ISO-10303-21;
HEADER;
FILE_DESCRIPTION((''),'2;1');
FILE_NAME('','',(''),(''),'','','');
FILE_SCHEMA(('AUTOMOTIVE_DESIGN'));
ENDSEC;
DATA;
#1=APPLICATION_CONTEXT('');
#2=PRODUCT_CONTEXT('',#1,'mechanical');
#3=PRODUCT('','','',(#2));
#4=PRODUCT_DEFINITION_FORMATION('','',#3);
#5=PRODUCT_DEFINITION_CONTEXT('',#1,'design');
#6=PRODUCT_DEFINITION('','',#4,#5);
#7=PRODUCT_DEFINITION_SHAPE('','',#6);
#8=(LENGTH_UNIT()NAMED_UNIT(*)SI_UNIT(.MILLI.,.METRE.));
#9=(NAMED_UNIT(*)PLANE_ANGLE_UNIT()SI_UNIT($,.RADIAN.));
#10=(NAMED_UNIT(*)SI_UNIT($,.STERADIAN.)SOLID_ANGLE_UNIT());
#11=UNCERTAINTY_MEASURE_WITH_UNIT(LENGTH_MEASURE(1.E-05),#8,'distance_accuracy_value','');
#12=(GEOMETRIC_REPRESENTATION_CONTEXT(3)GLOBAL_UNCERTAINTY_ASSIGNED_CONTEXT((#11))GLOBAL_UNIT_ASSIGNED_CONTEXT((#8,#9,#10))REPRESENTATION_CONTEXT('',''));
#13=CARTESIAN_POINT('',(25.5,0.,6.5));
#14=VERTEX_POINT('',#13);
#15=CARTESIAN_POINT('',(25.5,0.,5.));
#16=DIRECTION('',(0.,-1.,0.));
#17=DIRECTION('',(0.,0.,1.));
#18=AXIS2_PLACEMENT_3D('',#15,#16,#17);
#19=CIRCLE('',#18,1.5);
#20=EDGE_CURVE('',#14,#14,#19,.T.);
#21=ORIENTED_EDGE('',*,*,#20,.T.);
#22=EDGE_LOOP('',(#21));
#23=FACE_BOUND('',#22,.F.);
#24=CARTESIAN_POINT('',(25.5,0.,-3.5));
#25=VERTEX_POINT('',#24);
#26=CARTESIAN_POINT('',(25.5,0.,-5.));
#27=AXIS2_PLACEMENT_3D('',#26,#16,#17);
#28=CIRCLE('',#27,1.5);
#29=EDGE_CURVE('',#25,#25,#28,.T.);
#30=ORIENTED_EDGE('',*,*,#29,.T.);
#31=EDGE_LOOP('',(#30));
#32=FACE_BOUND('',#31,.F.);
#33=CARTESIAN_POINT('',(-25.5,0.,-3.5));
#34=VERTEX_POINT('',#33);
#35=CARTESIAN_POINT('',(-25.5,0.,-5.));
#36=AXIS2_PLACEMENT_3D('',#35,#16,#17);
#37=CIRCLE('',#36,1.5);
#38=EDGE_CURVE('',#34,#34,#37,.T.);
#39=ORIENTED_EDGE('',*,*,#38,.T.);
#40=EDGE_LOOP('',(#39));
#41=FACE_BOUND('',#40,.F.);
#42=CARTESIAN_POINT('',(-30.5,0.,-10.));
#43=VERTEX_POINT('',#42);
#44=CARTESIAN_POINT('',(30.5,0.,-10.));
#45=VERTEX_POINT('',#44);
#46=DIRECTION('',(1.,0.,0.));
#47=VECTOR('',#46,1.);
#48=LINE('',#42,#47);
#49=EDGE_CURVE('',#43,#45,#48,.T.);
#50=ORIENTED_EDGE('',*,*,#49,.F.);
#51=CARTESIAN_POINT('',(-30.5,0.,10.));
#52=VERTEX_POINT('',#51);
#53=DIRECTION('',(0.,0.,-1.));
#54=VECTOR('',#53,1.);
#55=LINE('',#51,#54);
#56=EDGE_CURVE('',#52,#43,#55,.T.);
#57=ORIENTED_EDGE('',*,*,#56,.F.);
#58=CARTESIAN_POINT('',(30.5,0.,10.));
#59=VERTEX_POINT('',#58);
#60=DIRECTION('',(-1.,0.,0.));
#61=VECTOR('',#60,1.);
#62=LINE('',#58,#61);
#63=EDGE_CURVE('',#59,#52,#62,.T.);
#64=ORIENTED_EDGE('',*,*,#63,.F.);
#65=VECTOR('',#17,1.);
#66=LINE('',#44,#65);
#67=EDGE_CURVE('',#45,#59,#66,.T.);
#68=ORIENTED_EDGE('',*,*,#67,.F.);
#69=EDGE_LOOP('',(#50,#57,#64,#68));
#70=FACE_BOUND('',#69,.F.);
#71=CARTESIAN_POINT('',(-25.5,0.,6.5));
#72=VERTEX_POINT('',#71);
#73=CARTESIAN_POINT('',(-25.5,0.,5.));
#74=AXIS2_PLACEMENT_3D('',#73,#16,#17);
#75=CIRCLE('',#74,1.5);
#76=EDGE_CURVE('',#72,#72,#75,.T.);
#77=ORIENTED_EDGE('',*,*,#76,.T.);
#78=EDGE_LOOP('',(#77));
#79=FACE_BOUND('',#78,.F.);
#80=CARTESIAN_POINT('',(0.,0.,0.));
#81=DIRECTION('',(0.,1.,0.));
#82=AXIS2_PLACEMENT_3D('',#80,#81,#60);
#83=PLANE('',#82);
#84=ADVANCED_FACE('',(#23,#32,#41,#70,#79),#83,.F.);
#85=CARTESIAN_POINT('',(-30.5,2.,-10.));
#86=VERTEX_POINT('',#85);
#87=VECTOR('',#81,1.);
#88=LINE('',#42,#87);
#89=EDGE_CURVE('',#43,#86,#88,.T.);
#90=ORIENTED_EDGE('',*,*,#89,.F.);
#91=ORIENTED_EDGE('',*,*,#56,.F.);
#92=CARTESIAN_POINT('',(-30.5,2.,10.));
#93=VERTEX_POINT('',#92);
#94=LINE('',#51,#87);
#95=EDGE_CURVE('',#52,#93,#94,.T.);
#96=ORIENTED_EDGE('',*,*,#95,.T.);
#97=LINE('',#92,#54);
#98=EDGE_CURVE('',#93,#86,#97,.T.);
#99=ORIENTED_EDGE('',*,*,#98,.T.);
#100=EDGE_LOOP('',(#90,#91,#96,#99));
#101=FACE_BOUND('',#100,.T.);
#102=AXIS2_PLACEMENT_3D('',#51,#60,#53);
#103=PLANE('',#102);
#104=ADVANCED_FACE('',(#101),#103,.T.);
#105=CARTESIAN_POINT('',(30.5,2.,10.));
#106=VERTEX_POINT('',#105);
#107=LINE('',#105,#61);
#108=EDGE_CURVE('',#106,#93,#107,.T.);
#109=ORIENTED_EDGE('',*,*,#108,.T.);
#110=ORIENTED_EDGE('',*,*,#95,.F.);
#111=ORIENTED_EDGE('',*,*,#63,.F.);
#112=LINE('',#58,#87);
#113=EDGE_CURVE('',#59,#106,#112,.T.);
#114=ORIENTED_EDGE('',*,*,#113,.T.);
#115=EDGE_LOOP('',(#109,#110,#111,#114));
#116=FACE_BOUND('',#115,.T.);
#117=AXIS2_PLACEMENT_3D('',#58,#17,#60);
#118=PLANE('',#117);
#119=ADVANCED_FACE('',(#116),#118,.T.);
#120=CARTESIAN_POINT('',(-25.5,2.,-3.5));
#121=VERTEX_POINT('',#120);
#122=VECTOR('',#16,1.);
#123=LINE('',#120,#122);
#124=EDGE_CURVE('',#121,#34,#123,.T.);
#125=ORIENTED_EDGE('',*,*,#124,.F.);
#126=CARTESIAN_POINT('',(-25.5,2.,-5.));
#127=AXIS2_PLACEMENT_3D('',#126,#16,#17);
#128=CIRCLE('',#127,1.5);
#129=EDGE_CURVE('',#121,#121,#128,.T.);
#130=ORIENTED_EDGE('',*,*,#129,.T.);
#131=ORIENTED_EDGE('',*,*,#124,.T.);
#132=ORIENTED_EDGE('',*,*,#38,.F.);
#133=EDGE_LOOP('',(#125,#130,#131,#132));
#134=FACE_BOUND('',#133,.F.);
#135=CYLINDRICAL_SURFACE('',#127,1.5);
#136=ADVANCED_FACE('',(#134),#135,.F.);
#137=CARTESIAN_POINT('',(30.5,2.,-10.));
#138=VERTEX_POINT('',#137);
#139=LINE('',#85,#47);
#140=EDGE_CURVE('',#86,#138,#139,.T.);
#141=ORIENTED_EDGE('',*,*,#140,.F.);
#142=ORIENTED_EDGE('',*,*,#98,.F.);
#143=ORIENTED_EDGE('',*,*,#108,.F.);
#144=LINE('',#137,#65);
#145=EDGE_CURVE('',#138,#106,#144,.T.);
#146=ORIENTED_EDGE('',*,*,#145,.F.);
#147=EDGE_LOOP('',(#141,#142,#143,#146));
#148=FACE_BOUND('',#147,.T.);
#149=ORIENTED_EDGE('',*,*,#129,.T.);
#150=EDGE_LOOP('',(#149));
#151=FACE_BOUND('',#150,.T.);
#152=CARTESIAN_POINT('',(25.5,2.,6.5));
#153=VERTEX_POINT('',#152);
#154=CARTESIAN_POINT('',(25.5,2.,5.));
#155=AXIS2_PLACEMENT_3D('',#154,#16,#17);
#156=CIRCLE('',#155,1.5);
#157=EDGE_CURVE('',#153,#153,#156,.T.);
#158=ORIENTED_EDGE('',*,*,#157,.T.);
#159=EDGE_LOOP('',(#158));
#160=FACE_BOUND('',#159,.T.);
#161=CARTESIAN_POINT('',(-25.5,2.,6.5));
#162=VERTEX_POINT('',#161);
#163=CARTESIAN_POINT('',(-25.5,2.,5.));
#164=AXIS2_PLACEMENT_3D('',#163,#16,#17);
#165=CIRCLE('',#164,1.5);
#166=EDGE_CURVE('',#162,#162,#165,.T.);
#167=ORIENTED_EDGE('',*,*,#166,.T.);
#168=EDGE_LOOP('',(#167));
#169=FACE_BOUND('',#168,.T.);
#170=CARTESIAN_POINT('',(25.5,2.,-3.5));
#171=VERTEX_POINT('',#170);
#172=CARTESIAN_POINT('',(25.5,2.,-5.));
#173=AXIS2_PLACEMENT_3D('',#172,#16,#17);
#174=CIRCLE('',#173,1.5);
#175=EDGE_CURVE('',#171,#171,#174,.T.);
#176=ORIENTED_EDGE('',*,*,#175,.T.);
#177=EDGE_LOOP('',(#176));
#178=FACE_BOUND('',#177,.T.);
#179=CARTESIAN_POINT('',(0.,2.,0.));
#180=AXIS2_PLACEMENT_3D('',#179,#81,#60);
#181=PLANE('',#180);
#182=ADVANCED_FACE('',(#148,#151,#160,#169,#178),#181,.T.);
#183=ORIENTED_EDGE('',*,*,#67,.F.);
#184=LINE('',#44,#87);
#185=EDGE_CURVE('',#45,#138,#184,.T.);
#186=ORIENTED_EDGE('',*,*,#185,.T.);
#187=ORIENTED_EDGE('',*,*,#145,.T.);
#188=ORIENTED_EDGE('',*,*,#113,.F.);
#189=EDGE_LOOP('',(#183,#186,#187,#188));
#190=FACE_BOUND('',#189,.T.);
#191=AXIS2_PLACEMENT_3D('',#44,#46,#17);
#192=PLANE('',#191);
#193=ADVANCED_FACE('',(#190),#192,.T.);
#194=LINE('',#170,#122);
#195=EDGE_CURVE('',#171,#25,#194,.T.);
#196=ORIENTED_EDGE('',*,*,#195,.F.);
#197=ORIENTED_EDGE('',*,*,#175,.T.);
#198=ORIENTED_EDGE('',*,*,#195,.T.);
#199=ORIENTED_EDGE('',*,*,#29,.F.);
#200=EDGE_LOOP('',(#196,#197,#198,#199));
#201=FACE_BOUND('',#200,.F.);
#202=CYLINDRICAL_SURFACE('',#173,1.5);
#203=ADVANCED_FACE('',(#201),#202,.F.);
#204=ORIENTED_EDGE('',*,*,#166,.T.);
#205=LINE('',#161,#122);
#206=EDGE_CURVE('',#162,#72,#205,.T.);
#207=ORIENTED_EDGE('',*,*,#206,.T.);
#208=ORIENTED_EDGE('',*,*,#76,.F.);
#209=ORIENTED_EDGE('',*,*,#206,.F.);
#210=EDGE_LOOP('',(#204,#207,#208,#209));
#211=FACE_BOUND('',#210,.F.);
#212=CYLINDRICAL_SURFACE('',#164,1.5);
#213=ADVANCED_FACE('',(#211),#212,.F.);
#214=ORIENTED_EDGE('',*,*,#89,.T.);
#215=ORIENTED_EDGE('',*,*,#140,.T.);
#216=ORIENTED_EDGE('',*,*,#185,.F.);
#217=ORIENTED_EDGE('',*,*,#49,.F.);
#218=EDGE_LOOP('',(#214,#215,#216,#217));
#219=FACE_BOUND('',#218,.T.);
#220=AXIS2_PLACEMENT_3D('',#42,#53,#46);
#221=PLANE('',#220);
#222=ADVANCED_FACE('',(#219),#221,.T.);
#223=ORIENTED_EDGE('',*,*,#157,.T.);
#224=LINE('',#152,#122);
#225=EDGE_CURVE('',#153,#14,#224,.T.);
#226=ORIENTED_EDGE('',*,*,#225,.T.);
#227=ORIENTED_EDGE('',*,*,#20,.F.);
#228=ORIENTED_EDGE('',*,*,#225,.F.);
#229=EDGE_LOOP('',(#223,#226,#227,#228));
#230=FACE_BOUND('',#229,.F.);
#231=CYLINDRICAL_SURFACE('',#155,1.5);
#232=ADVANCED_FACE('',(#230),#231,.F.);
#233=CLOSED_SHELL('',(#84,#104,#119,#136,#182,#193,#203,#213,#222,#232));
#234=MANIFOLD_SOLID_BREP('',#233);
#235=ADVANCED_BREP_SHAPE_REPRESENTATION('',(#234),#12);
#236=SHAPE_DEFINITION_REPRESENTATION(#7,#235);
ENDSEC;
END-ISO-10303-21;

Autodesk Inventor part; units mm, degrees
ref_plane "YZ Plane" through (0, 0, 0) normal (1, 0, 0) x (0, 1, 0)
ref_plane "XZ Plane" through (0, 0, 0) normal (0, 1, 0) x (-1, 0, 0)
ref_plane "XY Plane" through (0, 0, 0) normal (0, 0, 1) x (1, 0, 0)
sketch "スケッチ1" plane through (0, 0, 0) normal (0, 1, 0) x (-1, 0, 0)
  line L0 (-30.5, 10) -> (30.5, 10)
  line L1 (30.5, 10) -> (30.5, -10)
  line L2 (30.5, -10) -> (-30.5, -10)
  line L3 (-30.5, -10) -> (-30.5, 10)
  point P0 (0, 0)
  dimension "d0" = 20
  dimension "d2" = 61
  dimension "d3" = 30.5
  dimension "d4" = 10
extrude "押し出し1" add sketch "スケッチ1" along normal blind 2
sketch "スケッチ2" plane through (0, 2, 0) normal (0, 1, 0) x (1, 0, 0)
  line L0 (30.5, -10) -> (30.5, 10) projected
  line L1 (30.5, 10) -> (-30.5, 10) projected
  line L2 (-30.5, 10) -> (-30.5, -10) projected
  circle A0 centre (-25.5, 5) radius 1.5
  circle A1 centre (-25.5, -5) radius 1.5
  circle A2 centre (25.5, -5) radius 1.5
  circle A3 centre (25.5, 5) radius 1.5
  point P0 (0, 0)
  dimension "d7" = 10
  dimension "d9" = 5
  dimension "d10" = 5
  dimension "d11" = 10
  dimension "d12" = 5
  dimension "d13" = 5
  dimension "d14" = 5
  dimension "d15" = 5
  dimension "d16" = 3
hole "穴1" at (-25.5, 2, -5) at (-25.5, 2, 5) at (25.5, 2, 5) at (25.5, 2, -5) direction (0, -1, 0) diameter 3 end through all
properties part number "Parallel_Link_Supporter"
